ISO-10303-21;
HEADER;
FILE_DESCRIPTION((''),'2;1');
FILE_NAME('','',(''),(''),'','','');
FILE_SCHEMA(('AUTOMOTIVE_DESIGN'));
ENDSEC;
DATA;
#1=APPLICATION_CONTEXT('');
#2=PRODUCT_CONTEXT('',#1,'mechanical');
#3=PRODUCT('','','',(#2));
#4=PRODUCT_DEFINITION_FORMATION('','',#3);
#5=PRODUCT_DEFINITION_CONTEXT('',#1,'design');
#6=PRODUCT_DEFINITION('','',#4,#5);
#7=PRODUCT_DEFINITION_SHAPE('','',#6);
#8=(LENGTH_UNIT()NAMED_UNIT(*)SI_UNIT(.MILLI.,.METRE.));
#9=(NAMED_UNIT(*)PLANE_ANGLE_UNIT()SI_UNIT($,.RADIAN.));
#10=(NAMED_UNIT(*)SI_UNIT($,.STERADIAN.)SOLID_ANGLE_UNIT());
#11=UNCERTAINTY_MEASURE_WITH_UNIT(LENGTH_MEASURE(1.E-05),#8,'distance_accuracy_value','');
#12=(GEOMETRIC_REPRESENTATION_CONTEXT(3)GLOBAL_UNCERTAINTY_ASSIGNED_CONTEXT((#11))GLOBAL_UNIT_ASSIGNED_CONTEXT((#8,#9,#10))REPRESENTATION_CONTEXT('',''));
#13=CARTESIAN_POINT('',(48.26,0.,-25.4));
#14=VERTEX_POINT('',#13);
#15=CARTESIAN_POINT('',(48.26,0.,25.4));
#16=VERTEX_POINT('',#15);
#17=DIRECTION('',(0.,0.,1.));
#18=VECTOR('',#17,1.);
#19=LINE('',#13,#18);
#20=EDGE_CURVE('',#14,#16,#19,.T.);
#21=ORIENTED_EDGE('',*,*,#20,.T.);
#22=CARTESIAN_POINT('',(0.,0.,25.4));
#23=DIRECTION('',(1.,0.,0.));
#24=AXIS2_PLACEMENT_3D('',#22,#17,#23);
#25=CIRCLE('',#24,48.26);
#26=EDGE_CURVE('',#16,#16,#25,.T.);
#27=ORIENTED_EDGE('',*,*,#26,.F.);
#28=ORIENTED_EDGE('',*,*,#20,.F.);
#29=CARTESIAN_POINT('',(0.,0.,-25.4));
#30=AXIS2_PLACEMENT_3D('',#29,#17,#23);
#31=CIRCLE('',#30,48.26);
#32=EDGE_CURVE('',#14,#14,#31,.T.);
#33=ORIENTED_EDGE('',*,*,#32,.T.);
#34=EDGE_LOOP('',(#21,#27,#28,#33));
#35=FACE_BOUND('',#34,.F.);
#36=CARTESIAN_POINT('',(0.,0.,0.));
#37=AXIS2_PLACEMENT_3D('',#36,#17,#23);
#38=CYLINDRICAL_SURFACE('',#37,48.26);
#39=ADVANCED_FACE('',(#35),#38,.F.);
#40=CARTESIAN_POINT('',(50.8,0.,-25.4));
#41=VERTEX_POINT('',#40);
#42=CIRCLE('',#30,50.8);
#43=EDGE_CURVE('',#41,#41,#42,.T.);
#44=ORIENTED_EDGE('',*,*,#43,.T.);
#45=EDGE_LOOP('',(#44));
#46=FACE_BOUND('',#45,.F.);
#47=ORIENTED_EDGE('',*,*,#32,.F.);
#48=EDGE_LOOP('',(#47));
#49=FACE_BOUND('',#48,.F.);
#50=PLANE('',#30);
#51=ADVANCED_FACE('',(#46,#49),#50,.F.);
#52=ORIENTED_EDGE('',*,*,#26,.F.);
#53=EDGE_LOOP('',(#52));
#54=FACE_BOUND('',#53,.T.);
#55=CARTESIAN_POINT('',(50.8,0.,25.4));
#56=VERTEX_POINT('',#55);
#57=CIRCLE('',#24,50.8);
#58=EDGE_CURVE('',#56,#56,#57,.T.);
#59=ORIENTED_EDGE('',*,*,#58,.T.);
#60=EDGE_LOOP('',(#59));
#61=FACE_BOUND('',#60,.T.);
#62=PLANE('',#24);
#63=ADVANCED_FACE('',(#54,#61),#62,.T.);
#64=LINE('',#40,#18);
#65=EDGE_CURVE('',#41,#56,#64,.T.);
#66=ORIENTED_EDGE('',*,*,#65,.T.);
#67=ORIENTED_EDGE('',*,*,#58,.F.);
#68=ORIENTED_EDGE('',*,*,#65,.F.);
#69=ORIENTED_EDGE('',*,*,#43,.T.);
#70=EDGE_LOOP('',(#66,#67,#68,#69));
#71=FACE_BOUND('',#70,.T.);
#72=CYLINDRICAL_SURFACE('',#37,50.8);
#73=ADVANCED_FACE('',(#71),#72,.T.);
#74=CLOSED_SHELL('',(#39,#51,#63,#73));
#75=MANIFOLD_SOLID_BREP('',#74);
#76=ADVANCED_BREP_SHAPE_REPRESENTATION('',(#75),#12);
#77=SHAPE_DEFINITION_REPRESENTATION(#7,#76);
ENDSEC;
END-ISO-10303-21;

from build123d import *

# Parameters (mm, degrees)
F0_R     = 50.8
F1_DEPTH = 25.4
F2_T     = -2.54


with BuildPart() as f1:
    # F0 (on Top) → F1 (new body, symmetric)
    with BuildSketch(Plane.XY):
        Circle(F0_R)
    extrude(amount=F1_DEPTH, both=True)

    # F2
    f2_openings = [f1.faces().sort_by_distance(p)[0] for p in [
        (0, 0, -25.4),
        (0, 0, 25.4),
    ]]
    offset(amount=F2_T, openings=f2_openings)


solid = f1.part
